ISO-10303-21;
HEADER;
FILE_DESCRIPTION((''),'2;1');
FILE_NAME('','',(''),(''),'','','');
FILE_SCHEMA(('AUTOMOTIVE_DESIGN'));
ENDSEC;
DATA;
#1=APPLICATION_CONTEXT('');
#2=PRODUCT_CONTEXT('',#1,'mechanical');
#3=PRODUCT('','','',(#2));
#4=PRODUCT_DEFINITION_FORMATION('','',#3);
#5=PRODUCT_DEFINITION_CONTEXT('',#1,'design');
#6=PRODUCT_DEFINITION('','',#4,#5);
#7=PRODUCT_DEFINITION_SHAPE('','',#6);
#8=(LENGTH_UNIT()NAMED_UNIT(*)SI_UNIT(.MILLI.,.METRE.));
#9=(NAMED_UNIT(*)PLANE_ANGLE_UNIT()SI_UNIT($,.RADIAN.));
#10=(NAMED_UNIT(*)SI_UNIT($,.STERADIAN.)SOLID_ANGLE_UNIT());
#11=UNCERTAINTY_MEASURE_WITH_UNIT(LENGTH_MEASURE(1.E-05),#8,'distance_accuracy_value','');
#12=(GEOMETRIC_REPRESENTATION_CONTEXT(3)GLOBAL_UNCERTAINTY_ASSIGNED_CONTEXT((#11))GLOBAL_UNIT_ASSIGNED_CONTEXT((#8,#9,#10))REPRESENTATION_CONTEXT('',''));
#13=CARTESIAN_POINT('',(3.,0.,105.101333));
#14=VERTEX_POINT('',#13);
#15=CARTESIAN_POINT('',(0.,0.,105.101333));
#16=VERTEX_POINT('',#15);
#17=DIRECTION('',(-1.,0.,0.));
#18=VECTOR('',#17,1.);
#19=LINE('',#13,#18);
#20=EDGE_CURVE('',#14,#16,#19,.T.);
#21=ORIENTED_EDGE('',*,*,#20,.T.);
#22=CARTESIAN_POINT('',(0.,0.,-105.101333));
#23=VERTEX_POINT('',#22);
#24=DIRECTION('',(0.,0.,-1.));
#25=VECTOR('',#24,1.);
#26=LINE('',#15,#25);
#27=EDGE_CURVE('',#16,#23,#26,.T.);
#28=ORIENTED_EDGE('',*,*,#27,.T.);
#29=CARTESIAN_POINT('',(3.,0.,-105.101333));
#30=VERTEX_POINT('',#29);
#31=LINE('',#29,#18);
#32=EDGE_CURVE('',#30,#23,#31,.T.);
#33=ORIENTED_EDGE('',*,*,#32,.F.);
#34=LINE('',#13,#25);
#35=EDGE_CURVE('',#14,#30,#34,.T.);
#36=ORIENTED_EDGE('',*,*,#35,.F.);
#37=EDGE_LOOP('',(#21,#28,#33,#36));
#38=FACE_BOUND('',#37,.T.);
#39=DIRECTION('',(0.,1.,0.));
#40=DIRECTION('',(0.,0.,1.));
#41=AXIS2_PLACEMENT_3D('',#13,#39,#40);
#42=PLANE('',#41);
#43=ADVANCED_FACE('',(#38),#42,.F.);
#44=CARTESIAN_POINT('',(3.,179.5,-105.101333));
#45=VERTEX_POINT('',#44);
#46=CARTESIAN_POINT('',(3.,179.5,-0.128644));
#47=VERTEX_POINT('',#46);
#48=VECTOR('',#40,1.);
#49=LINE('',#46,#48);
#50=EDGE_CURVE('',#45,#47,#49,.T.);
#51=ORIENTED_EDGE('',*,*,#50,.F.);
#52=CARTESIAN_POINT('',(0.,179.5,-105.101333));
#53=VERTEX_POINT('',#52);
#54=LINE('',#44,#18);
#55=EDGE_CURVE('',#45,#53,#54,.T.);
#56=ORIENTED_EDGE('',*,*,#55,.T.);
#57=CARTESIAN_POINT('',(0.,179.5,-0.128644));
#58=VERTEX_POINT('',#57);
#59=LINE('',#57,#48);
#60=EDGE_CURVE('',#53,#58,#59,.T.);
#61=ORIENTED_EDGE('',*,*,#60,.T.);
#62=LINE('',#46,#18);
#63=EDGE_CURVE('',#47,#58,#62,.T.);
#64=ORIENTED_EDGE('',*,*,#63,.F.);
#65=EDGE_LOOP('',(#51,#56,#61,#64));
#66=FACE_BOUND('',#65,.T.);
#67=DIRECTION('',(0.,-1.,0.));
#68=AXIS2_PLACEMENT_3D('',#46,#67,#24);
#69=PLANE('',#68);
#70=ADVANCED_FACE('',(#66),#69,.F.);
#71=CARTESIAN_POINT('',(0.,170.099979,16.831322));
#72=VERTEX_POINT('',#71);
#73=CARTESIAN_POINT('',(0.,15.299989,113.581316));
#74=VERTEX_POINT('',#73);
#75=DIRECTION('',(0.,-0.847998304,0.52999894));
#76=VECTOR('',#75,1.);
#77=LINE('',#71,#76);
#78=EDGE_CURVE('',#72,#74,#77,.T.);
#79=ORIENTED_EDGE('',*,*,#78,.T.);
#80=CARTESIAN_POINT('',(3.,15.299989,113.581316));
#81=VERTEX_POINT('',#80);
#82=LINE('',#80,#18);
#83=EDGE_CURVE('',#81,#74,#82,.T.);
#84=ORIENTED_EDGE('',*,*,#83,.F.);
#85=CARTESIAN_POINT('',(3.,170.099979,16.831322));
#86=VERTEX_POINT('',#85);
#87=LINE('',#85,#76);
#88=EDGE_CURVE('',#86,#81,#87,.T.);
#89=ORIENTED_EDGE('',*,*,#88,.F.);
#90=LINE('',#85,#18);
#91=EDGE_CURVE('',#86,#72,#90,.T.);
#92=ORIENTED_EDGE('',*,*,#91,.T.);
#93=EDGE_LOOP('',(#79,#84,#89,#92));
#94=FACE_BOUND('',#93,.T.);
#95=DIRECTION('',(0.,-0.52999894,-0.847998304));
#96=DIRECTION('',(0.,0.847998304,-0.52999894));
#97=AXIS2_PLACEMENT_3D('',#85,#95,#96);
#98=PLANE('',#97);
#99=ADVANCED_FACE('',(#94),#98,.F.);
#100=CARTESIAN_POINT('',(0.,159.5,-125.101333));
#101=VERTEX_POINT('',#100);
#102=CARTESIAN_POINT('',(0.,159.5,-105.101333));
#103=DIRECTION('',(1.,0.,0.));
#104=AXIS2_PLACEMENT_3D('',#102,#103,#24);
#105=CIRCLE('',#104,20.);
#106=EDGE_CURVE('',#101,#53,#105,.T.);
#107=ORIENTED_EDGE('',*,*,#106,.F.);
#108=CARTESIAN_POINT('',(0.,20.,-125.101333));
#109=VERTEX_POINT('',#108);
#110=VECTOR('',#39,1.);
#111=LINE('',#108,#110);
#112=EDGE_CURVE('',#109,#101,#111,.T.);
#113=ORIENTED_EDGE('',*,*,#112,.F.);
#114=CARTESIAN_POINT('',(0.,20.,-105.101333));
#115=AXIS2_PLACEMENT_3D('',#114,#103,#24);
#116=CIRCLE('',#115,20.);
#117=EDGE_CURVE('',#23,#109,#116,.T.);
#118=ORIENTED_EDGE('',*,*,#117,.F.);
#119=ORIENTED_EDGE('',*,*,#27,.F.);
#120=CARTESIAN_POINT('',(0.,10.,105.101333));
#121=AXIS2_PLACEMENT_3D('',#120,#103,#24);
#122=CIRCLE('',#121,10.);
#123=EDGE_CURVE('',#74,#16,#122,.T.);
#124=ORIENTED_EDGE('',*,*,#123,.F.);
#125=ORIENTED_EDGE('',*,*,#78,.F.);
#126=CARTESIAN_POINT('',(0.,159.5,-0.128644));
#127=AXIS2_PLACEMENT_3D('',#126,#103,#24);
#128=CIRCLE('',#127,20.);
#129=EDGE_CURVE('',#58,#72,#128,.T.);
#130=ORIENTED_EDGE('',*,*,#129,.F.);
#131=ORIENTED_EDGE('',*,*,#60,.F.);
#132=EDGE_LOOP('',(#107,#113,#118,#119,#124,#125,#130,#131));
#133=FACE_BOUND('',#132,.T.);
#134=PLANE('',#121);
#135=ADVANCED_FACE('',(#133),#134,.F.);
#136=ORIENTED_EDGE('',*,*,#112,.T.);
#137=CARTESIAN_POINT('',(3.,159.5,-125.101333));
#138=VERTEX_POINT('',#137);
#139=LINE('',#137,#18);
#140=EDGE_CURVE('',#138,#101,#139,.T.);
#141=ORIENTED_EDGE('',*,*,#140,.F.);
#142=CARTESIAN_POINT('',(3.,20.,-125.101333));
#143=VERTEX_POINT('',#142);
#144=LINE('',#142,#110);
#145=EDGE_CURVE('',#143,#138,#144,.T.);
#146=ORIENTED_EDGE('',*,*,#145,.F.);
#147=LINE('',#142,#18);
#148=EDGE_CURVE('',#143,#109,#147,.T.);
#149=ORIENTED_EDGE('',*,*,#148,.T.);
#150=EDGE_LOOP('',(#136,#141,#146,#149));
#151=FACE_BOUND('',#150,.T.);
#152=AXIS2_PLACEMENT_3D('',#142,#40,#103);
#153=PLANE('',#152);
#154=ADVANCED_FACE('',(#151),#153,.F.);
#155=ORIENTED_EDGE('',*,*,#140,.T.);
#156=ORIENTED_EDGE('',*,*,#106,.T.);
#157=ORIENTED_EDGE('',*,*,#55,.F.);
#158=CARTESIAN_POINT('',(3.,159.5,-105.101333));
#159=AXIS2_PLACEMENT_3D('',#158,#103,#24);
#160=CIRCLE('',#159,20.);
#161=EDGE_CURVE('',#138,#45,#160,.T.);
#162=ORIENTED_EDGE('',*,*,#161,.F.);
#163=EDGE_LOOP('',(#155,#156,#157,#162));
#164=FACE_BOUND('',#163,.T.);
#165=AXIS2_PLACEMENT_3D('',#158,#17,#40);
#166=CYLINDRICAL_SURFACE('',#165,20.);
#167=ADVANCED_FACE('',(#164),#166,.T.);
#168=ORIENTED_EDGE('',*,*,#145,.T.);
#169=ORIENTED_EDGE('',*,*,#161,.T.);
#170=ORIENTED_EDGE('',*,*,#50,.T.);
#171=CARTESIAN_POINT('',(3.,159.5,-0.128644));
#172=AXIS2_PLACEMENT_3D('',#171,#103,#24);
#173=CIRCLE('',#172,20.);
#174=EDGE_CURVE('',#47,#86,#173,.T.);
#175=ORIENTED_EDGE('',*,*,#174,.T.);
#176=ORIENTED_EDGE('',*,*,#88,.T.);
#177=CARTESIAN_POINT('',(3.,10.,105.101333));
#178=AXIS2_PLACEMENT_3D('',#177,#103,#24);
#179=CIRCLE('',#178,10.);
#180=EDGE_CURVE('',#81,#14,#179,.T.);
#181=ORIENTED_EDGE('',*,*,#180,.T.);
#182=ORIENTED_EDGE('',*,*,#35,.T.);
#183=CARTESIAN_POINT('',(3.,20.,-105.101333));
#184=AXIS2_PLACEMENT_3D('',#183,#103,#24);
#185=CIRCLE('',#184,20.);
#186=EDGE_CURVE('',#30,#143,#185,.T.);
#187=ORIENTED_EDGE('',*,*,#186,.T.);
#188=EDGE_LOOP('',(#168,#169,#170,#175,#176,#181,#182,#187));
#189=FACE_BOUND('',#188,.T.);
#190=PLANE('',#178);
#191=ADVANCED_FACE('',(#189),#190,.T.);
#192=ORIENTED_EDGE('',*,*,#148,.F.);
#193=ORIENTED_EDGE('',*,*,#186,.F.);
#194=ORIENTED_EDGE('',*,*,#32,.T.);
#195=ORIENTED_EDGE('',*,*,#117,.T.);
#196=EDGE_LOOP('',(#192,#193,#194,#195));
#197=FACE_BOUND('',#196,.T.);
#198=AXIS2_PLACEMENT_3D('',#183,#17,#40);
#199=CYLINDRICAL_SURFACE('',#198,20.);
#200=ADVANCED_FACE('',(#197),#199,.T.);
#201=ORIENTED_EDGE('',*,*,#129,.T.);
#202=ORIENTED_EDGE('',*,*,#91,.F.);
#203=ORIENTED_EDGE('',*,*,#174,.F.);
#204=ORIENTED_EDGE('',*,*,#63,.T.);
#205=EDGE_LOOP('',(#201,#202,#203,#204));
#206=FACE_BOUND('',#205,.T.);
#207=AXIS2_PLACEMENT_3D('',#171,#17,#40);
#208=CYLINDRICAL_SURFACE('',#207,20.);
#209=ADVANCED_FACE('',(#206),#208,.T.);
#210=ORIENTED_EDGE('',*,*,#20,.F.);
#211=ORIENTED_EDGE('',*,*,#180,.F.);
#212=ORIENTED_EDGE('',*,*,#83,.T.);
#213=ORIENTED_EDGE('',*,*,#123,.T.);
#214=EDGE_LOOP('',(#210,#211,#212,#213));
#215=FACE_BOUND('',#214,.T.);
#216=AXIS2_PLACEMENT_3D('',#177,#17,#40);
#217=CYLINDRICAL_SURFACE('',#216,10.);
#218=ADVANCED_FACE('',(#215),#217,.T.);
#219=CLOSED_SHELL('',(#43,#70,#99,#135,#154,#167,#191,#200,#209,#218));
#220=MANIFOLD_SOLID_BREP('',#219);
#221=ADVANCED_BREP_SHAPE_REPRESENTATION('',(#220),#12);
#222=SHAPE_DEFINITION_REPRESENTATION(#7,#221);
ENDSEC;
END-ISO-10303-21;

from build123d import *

# Parameters (mm, degrees)
BOSS_EXTRUDE1_DEPTH = 3


with BuildPart() as part:
    # Sketch1 → Boss-Extrude1 (new body)
    with BuildSketch(Plane(origin=(0, 0, 0), x_dir=(0, 0, -1), z_dir=(1, 0, 0))):
        with BuildLine():
            Line((-105.101332547, 0), (105.101332547, 0))
            ThreePointArc((105.101332547, 0), (119.243468171, 5.857864376), (125.101332547, 20))
            Line((125.101332547, 20), (125.101332547, 159.5))
            ThreePointArc((125.101332547, 159.5), (119.243468171, 173.642135624), (105.101332547, 179.5))
            Line((105.101332547, 179.5), (0.128643868, 179.5))
            ThreePointArc((0.128643868, 179.5), (-9.56672678, 176.992849625), (-16.831322212, 170.0999788))
            Line((-16.831322212, 170.0999788), (-113.581315587, 15.2999894))
            ThreePointArc((-113.581315587, 15.2999894), (-113.84775736, 5.152314676), (-105.101332547, 0))
        make_face()
    extrude(amount=BOSS_EXTRUDE1_DEPTH)


solid = part.part
